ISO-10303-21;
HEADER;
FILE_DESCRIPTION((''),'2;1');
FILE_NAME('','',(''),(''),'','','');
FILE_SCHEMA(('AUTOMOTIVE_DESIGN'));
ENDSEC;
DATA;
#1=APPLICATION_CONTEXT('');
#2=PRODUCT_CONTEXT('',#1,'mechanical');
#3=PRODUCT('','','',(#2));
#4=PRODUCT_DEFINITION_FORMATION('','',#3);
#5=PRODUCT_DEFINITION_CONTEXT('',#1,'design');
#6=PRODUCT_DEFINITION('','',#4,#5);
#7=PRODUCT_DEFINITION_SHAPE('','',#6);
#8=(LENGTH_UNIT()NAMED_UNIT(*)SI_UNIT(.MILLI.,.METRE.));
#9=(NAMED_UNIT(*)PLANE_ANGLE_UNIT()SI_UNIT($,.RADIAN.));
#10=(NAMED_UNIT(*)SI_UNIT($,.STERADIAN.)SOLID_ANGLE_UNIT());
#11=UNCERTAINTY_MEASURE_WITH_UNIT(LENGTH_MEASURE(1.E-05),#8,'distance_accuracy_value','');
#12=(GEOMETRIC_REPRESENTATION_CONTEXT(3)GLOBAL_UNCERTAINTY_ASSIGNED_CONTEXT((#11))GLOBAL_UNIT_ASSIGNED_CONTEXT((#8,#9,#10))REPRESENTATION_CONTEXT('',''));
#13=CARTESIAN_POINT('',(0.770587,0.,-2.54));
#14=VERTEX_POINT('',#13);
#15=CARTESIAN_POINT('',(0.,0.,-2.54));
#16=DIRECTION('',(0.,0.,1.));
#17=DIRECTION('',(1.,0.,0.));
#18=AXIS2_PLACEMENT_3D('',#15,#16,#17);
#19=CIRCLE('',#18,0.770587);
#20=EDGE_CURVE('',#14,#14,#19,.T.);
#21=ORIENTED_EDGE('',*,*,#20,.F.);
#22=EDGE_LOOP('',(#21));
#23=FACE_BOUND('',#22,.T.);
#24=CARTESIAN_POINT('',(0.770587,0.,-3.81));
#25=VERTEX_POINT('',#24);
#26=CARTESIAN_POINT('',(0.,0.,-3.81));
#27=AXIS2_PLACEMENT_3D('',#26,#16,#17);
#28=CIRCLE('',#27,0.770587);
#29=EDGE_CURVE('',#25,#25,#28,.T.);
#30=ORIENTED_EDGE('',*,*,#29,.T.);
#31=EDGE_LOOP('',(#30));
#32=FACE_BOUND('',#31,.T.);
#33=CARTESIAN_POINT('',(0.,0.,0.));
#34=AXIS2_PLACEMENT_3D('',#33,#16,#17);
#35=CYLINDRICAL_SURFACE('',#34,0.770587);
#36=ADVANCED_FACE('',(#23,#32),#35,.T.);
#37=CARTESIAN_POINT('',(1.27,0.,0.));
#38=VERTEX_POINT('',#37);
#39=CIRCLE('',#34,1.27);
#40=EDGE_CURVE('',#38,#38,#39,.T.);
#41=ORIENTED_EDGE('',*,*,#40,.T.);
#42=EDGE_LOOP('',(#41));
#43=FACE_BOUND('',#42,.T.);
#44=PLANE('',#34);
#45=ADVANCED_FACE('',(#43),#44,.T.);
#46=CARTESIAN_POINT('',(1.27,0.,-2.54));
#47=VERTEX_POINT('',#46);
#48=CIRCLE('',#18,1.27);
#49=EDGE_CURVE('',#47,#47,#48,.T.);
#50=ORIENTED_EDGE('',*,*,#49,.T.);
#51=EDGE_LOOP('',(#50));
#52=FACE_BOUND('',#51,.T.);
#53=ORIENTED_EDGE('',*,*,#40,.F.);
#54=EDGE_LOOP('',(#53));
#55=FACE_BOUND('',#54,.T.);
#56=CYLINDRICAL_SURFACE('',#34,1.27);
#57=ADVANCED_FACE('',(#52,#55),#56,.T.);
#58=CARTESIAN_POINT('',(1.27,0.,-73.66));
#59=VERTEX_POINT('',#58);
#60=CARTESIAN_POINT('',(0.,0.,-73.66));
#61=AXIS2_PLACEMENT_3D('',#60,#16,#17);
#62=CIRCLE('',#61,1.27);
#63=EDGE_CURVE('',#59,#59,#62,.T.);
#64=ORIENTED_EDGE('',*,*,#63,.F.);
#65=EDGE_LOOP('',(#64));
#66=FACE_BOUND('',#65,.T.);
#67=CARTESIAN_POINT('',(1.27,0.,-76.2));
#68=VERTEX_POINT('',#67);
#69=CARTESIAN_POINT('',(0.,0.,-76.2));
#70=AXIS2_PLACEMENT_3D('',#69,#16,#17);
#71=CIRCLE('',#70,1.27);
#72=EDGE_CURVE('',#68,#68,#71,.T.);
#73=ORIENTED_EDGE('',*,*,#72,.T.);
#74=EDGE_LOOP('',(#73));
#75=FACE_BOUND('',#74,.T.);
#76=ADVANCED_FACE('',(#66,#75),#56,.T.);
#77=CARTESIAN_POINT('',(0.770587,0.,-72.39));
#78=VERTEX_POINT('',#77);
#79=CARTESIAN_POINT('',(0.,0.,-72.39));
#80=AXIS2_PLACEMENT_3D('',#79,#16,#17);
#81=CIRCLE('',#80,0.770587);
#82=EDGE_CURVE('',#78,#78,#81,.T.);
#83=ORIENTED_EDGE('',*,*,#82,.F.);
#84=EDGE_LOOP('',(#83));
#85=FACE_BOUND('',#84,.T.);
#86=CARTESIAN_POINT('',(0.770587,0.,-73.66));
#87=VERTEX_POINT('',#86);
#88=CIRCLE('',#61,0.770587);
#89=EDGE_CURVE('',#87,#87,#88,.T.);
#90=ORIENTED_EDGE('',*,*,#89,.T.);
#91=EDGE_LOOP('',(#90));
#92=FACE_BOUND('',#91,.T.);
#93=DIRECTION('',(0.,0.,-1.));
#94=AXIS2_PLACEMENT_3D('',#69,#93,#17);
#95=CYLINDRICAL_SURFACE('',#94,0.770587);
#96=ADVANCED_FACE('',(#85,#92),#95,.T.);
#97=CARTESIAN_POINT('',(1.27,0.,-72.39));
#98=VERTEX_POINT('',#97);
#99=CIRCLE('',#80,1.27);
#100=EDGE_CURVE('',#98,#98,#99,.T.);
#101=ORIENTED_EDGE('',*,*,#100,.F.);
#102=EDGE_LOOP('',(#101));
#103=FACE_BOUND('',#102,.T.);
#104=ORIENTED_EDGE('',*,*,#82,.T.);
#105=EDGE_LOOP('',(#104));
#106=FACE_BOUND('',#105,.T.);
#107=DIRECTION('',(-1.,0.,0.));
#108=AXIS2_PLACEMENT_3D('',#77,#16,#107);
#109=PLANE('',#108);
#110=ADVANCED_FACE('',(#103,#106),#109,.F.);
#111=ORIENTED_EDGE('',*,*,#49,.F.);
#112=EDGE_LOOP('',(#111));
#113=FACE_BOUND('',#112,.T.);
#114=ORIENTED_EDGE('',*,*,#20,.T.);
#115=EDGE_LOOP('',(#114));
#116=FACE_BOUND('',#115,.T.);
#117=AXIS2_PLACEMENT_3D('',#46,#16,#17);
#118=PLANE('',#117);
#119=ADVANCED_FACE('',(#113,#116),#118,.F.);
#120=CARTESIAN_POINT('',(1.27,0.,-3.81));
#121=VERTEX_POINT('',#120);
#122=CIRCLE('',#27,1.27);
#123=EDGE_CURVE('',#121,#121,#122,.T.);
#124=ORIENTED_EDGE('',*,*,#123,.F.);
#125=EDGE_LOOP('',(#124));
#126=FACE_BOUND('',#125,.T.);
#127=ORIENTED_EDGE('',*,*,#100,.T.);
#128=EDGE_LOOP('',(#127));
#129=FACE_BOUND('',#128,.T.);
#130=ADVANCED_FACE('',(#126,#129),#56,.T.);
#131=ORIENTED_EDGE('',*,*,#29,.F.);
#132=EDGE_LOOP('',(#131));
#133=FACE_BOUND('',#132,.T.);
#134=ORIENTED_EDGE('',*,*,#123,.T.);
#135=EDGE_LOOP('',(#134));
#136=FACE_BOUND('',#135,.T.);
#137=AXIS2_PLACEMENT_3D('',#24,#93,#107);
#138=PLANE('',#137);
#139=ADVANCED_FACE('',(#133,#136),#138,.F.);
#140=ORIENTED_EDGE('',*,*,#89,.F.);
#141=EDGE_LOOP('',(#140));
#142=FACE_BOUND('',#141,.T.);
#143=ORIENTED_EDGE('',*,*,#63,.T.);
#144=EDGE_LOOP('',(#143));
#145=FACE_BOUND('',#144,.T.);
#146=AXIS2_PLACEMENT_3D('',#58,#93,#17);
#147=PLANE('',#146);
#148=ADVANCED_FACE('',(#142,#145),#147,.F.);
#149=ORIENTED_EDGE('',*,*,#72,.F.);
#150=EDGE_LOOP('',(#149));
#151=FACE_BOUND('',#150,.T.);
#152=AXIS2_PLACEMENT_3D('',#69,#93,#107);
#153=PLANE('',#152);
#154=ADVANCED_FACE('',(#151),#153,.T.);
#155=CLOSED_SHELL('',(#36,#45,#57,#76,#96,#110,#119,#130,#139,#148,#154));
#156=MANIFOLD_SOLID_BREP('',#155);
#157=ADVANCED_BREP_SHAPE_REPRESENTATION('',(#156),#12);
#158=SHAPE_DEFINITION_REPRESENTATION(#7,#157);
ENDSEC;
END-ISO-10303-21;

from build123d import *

# Parameters (mm, degrees)
SKETCH2_W = 1.27
SKETCH2_H = 76.2
SKETCH3_W = 0.499412869
SKETCH3_H = 1.27


with BuildPart() as part:
    # Sketch2 → Revolve1 (revolve)
    with BuildSketch(Plane(origin=(0, 0, 0), x_dir=(1, 0, 0), z_dir=(0, 1, 0))):
        with Locations((0.635, 38.1)):
            Rectangle(SKETCH2_W, SKETCH2_H)
    revolve(axis=Axis((0, 0, 0), (0, 0, -1)))

    # Sketch3 → Cut-Revolve1 (revolve, cut)
    with BuildSketch(Plane(origin=(0, 0, 0), x_dir=(1, 0, 0), z_dir=(0, 1, 0))):
        with Locations((1.020293566, 3.175)):
            Rectangle(SKETCH3_W, SKETCH3_H)
    cut_revolve1 = revolve(axis=Axis((0, 0, 0), (0, 0, -1)), mode=Mode.SUBTRACT)

    # Mirror1: Cut-Revolve1 across plane
    add(cut_revolve1.mirror(Plane.XY.offset(-38.1)), mode=Mode.SUBTRACT)


solid = part.part
